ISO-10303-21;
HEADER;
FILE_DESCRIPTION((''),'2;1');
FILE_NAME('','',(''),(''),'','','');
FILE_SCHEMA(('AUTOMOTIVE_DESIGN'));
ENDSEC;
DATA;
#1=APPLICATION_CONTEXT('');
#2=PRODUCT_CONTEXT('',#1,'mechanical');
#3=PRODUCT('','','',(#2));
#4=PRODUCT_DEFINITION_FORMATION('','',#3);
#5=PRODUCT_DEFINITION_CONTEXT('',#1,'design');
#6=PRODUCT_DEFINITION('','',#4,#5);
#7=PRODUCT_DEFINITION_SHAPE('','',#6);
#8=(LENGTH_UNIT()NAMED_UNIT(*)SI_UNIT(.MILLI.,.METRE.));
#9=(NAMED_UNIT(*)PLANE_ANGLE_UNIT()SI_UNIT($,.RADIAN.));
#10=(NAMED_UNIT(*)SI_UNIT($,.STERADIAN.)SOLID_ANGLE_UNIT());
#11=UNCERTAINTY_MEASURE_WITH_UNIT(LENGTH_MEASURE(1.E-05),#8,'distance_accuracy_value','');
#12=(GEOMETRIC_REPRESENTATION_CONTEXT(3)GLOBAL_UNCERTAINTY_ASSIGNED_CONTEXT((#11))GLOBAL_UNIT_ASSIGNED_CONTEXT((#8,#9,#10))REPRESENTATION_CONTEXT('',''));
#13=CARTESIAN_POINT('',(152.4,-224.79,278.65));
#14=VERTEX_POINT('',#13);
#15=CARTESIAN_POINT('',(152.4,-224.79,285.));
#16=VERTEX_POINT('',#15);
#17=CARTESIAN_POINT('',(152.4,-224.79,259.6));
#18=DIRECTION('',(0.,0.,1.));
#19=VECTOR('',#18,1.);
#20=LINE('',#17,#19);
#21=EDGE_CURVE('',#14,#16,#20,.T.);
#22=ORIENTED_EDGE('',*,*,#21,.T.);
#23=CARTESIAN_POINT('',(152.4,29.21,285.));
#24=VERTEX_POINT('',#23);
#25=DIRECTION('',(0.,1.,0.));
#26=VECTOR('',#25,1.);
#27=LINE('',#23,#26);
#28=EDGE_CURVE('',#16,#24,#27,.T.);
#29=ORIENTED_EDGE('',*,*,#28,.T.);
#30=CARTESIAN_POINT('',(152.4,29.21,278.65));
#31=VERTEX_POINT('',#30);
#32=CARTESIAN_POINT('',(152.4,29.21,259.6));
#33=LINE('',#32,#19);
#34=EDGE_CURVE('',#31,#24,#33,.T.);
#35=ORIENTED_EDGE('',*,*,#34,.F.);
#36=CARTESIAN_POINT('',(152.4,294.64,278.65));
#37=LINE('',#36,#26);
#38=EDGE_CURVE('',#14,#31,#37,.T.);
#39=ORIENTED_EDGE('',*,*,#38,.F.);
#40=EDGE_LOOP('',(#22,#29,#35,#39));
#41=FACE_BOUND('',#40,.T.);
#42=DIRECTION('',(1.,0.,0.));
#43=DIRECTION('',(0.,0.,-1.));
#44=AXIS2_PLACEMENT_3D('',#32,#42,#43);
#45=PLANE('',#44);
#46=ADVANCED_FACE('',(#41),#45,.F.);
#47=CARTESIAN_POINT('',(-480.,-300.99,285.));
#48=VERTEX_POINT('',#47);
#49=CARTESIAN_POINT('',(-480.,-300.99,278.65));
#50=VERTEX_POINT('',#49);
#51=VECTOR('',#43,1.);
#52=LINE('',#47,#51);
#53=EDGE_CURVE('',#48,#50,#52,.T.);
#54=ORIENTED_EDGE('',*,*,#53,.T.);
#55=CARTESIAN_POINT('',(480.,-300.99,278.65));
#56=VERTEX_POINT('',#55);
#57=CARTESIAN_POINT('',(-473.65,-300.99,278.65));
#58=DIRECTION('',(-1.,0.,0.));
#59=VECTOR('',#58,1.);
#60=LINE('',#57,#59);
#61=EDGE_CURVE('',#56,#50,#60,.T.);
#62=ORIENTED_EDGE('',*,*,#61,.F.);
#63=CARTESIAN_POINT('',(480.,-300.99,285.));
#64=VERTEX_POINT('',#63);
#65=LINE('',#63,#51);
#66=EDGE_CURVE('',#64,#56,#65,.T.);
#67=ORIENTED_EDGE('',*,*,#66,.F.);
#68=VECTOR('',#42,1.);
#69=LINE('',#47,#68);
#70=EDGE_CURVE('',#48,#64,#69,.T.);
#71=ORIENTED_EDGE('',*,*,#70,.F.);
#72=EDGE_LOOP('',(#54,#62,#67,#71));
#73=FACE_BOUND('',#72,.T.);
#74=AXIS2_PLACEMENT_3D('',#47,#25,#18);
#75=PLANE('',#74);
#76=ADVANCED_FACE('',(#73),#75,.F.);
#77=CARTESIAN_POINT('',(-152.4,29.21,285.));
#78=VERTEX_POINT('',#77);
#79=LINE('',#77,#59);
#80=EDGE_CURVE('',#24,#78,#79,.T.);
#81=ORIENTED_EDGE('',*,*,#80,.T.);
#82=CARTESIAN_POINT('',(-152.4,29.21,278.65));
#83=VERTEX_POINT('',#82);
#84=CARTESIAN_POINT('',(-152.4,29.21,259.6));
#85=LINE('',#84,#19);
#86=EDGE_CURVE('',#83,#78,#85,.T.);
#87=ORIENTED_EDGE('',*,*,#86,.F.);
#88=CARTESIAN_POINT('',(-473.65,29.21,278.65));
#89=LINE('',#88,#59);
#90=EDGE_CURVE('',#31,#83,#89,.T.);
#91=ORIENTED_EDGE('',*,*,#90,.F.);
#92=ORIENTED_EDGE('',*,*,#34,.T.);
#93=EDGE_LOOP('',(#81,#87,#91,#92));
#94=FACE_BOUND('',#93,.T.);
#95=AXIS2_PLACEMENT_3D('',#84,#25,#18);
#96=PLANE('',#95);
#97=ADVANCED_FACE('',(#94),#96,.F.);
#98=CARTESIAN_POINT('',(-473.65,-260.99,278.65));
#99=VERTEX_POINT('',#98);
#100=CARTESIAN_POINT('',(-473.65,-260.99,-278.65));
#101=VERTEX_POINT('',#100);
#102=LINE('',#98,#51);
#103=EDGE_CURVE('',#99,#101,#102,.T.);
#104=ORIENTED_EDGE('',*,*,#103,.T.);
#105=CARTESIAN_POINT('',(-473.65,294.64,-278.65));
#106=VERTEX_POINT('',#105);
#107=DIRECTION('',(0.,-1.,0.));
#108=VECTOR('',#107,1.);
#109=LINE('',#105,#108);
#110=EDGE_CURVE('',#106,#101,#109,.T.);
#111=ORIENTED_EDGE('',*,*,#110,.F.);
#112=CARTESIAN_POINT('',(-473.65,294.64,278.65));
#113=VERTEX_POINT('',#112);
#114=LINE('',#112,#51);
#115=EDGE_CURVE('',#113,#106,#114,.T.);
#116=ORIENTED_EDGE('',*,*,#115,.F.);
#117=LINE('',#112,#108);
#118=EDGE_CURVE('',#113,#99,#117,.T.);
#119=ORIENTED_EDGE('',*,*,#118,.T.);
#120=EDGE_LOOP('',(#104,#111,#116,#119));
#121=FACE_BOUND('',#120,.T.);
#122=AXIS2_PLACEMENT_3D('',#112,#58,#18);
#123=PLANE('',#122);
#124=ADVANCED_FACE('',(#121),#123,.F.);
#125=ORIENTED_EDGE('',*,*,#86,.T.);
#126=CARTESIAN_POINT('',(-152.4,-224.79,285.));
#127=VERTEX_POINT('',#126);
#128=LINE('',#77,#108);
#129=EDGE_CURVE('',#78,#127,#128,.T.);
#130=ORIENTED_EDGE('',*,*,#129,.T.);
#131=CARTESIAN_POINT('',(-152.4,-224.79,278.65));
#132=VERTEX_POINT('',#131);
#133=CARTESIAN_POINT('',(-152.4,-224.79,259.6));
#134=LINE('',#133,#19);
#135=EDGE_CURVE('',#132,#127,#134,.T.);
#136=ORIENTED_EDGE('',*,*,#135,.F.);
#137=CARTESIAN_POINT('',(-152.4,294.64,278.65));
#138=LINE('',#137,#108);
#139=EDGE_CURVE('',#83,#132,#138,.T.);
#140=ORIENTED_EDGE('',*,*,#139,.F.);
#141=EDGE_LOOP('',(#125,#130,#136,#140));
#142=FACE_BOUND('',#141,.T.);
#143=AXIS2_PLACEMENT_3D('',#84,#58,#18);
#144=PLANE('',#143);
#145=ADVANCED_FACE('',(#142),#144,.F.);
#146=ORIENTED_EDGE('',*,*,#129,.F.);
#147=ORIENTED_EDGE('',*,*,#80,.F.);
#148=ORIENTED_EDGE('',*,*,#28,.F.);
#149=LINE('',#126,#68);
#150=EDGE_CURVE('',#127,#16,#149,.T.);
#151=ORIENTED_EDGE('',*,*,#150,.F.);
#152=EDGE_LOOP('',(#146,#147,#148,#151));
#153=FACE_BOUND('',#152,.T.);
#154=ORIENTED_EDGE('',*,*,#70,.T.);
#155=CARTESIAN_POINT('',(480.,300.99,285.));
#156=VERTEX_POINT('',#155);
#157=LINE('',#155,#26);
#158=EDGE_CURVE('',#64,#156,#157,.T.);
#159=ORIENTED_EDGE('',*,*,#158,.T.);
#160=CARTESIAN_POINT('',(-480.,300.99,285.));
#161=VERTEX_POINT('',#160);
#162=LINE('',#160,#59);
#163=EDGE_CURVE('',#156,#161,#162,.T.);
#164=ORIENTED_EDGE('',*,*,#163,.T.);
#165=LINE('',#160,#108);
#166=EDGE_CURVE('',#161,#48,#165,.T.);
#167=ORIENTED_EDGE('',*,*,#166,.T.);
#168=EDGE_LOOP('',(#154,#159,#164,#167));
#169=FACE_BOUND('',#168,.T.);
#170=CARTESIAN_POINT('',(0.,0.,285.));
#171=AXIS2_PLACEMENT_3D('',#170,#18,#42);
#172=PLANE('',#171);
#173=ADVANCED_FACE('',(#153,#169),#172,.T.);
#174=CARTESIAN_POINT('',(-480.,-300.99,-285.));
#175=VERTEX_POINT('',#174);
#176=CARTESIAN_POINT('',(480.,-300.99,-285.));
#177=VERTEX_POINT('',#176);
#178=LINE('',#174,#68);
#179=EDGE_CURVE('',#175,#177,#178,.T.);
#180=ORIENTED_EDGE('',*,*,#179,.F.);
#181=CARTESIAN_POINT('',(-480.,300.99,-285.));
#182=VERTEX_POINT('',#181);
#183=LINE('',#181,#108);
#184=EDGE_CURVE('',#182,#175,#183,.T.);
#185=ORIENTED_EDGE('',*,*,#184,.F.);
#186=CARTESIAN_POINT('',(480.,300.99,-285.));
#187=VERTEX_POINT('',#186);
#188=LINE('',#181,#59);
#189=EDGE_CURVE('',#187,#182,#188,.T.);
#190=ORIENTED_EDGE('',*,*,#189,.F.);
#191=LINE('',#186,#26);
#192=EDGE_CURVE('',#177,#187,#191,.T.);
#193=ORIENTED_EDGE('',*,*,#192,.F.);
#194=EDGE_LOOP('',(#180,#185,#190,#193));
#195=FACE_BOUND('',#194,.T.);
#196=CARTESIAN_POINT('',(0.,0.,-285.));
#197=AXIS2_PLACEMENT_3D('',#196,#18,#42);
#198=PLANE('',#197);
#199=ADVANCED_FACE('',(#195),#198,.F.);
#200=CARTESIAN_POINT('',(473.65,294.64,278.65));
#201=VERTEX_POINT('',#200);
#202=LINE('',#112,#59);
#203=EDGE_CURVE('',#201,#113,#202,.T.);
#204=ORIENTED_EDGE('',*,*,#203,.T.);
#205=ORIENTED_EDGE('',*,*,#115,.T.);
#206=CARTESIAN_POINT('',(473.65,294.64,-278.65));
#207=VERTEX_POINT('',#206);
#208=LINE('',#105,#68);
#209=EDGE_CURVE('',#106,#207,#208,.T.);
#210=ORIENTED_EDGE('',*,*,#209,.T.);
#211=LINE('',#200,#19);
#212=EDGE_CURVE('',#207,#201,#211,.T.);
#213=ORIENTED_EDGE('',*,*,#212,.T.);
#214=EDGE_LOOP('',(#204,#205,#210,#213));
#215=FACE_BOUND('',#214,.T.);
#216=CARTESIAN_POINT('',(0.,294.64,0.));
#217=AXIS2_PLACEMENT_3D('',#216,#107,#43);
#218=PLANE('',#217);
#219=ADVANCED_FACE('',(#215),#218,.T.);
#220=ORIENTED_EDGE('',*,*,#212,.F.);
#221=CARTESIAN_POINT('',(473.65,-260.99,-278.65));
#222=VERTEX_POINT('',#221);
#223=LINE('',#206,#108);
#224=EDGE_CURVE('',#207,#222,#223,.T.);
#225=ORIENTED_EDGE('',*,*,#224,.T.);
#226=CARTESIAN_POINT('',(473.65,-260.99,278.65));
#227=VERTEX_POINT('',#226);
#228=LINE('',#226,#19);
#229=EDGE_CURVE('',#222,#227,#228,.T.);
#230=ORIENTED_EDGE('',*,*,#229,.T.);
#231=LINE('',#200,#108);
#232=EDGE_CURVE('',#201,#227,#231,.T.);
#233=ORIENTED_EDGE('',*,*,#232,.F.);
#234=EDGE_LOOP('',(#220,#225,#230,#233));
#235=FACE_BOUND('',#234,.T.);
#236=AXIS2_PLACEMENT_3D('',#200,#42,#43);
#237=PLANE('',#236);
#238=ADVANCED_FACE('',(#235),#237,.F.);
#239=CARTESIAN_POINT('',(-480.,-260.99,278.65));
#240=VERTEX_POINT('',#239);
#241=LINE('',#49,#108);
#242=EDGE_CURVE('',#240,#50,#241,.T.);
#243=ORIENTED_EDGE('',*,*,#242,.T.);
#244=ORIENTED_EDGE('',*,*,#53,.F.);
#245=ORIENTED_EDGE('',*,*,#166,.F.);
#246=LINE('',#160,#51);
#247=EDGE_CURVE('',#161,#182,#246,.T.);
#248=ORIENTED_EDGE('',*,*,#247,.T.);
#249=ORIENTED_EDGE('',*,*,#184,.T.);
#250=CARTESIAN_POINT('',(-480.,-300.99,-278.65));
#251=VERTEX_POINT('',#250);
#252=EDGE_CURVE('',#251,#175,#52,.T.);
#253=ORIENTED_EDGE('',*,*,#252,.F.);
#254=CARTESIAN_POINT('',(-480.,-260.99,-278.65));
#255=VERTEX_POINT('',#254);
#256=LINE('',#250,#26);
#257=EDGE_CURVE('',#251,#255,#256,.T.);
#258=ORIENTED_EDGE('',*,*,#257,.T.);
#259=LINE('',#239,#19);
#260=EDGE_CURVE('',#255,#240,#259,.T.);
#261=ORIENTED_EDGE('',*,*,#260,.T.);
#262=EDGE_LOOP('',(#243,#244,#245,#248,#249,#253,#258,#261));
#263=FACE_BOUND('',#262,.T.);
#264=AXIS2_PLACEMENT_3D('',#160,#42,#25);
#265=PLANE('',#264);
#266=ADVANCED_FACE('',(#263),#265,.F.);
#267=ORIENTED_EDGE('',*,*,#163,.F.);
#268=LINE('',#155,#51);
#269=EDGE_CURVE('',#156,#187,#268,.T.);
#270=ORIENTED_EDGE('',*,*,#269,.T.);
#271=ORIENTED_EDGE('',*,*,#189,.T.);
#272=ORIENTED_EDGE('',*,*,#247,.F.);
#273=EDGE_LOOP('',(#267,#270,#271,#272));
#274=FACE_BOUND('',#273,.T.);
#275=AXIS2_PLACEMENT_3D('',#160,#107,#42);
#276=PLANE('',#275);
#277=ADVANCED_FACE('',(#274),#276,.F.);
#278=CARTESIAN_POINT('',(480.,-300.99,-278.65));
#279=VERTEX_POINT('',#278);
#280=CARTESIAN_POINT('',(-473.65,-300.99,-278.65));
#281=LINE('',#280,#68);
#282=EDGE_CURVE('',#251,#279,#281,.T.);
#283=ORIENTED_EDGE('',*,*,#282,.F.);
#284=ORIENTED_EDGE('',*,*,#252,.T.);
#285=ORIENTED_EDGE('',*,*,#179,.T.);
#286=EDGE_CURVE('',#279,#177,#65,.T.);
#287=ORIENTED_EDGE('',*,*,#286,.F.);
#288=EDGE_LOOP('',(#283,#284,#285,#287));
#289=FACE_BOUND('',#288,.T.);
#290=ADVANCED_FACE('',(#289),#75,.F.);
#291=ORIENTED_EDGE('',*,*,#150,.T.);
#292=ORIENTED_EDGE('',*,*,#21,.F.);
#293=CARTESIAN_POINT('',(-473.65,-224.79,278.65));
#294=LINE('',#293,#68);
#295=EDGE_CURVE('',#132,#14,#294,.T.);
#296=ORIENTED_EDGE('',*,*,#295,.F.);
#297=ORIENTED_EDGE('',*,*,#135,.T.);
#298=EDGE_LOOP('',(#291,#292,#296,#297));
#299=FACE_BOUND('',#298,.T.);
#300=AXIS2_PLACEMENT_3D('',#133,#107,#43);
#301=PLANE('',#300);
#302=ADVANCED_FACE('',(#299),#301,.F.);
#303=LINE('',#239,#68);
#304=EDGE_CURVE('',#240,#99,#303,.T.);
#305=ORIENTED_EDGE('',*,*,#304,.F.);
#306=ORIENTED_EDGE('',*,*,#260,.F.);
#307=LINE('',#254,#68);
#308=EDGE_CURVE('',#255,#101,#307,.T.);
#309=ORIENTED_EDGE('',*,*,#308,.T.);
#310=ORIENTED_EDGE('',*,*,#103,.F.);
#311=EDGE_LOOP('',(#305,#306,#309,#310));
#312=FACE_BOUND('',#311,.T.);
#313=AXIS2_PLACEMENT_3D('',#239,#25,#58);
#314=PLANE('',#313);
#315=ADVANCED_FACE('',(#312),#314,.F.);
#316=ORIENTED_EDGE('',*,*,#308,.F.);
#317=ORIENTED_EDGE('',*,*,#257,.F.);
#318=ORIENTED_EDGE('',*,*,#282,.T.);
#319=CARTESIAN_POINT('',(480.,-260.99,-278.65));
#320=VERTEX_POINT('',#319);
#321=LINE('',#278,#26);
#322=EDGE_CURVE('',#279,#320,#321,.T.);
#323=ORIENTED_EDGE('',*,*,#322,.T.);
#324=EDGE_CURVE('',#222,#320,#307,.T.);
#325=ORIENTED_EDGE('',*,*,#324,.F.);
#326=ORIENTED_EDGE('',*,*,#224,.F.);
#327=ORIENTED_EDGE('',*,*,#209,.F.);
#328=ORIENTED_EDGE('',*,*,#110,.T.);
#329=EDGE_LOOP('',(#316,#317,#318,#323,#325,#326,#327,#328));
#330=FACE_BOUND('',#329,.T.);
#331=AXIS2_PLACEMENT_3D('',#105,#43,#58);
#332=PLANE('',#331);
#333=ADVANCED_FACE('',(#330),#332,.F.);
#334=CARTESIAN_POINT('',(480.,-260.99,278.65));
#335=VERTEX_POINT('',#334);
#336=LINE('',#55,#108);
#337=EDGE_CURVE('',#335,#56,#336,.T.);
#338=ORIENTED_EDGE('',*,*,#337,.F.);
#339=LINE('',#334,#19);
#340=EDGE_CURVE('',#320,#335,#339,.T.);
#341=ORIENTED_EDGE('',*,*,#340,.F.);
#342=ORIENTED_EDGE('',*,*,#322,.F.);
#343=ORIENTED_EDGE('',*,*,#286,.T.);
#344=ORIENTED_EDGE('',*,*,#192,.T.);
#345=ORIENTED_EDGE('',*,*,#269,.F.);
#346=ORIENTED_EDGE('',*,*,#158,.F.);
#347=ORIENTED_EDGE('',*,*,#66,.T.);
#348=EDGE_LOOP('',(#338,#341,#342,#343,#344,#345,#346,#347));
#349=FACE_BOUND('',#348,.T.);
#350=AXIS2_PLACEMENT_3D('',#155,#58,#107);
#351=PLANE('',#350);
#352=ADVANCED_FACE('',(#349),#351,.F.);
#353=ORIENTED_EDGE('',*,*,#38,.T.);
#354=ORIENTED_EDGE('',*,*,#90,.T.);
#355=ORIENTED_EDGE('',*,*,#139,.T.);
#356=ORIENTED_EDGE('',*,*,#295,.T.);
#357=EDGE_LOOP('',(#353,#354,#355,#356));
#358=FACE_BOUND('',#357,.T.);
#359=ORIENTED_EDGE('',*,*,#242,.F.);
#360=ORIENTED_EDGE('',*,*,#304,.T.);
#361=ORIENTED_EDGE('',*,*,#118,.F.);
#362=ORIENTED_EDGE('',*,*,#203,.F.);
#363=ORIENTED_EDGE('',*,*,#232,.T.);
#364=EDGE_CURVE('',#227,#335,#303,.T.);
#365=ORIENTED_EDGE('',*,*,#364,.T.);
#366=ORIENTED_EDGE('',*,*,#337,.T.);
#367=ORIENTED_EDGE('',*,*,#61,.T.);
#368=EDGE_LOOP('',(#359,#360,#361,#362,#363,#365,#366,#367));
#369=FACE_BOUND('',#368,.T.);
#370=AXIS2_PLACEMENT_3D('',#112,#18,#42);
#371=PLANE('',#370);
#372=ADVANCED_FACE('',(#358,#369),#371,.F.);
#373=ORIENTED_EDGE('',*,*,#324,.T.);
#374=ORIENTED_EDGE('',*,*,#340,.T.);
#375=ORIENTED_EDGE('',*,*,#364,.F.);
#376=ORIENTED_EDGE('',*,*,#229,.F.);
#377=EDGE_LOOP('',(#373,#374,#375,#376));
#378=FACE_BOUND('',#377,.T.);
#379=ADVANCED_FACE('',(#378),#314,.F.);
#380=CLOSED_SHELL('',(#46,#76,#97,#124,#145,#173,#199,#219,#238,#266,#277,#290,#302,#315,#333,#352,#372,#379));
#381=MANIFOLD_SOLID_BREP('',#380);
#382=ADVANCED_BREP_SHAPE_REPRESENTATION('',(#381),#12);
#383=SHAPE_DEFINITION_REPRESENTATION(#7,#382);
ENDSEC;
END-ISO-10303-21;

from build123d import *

# Parameters (mm, degrees)
ESQUISSE1_W             = 960
ESQUISSE1_H             = 601.98
BOSS_EXTRU_1_DEPTH      = 285
ESQUISSE4_W             = 947.3
ESQUISSE4_H             = 557.3
ENL_V_MAT_EXTRU_7_DEPTH = 595.63
ESQUISSE5_W             = 557.3
ESQUISSE5_H             = 40
ENL_V_MAT_EXTRU_8_DEPTH = 1046.667241574
ESQUISSE6_W             = 304.8
ESQUISSE6_H             = 254
ENL_V_MAT_EXTRU_9_DEPTH = 25.4


with BuildPart() as part:
    # Esquisse1 → Boss.-Extru.1 (new, symmetric)
    with BuildSketch(Plane.XY):
        Rectangle(ESQUISSE1_W, ESQUISSE1_H)
    extrude(amount=BOSS_EXTRU_1_DEPTH, both=True)

    # Esquisse4 → Enlèv. mat.-Extru.7 (cut)
    with BuildSketch(Plane.XZ.offset(300.99)):
        Rectangle(ESQUISSE4_W, ESQUISSE4_H)
    extrude(amount=-ENL_V_MAT_EXTRU_7_DEPTH, mode=Mode.SUBTRACT)

    # Esquisse5 → Enlèv. mat.-Extru.8 (cut, through all)
    with BuildSketch(Plane(origin=(480, 0, 0), x_dir=(0, 0, -1), z_dir=(1, 0, 0))):
        with Locations((0, -280.99)):
            Rectangle(ESQUISSE5_W, ESQUISSE5_H)
    extrude(amount=-ENL_V_MAT_EXTRU_8_DEPTH, mode=Mode.SUBTRACT)

    # Esquisse6 → Enlèv. mat.-Extru.9 (cut)
    with BuildSketch(Plane.XY.offset(285)):
        with Locations((0, -97.79)):
            Rectangle(ESQUISSE6_W, ESQUISSE6_H)
    extrude(amount=-ENL_V_MAT_EXTRU_9_DEPTH, mode=Mode.SUBTRACT)


solid = part.part
